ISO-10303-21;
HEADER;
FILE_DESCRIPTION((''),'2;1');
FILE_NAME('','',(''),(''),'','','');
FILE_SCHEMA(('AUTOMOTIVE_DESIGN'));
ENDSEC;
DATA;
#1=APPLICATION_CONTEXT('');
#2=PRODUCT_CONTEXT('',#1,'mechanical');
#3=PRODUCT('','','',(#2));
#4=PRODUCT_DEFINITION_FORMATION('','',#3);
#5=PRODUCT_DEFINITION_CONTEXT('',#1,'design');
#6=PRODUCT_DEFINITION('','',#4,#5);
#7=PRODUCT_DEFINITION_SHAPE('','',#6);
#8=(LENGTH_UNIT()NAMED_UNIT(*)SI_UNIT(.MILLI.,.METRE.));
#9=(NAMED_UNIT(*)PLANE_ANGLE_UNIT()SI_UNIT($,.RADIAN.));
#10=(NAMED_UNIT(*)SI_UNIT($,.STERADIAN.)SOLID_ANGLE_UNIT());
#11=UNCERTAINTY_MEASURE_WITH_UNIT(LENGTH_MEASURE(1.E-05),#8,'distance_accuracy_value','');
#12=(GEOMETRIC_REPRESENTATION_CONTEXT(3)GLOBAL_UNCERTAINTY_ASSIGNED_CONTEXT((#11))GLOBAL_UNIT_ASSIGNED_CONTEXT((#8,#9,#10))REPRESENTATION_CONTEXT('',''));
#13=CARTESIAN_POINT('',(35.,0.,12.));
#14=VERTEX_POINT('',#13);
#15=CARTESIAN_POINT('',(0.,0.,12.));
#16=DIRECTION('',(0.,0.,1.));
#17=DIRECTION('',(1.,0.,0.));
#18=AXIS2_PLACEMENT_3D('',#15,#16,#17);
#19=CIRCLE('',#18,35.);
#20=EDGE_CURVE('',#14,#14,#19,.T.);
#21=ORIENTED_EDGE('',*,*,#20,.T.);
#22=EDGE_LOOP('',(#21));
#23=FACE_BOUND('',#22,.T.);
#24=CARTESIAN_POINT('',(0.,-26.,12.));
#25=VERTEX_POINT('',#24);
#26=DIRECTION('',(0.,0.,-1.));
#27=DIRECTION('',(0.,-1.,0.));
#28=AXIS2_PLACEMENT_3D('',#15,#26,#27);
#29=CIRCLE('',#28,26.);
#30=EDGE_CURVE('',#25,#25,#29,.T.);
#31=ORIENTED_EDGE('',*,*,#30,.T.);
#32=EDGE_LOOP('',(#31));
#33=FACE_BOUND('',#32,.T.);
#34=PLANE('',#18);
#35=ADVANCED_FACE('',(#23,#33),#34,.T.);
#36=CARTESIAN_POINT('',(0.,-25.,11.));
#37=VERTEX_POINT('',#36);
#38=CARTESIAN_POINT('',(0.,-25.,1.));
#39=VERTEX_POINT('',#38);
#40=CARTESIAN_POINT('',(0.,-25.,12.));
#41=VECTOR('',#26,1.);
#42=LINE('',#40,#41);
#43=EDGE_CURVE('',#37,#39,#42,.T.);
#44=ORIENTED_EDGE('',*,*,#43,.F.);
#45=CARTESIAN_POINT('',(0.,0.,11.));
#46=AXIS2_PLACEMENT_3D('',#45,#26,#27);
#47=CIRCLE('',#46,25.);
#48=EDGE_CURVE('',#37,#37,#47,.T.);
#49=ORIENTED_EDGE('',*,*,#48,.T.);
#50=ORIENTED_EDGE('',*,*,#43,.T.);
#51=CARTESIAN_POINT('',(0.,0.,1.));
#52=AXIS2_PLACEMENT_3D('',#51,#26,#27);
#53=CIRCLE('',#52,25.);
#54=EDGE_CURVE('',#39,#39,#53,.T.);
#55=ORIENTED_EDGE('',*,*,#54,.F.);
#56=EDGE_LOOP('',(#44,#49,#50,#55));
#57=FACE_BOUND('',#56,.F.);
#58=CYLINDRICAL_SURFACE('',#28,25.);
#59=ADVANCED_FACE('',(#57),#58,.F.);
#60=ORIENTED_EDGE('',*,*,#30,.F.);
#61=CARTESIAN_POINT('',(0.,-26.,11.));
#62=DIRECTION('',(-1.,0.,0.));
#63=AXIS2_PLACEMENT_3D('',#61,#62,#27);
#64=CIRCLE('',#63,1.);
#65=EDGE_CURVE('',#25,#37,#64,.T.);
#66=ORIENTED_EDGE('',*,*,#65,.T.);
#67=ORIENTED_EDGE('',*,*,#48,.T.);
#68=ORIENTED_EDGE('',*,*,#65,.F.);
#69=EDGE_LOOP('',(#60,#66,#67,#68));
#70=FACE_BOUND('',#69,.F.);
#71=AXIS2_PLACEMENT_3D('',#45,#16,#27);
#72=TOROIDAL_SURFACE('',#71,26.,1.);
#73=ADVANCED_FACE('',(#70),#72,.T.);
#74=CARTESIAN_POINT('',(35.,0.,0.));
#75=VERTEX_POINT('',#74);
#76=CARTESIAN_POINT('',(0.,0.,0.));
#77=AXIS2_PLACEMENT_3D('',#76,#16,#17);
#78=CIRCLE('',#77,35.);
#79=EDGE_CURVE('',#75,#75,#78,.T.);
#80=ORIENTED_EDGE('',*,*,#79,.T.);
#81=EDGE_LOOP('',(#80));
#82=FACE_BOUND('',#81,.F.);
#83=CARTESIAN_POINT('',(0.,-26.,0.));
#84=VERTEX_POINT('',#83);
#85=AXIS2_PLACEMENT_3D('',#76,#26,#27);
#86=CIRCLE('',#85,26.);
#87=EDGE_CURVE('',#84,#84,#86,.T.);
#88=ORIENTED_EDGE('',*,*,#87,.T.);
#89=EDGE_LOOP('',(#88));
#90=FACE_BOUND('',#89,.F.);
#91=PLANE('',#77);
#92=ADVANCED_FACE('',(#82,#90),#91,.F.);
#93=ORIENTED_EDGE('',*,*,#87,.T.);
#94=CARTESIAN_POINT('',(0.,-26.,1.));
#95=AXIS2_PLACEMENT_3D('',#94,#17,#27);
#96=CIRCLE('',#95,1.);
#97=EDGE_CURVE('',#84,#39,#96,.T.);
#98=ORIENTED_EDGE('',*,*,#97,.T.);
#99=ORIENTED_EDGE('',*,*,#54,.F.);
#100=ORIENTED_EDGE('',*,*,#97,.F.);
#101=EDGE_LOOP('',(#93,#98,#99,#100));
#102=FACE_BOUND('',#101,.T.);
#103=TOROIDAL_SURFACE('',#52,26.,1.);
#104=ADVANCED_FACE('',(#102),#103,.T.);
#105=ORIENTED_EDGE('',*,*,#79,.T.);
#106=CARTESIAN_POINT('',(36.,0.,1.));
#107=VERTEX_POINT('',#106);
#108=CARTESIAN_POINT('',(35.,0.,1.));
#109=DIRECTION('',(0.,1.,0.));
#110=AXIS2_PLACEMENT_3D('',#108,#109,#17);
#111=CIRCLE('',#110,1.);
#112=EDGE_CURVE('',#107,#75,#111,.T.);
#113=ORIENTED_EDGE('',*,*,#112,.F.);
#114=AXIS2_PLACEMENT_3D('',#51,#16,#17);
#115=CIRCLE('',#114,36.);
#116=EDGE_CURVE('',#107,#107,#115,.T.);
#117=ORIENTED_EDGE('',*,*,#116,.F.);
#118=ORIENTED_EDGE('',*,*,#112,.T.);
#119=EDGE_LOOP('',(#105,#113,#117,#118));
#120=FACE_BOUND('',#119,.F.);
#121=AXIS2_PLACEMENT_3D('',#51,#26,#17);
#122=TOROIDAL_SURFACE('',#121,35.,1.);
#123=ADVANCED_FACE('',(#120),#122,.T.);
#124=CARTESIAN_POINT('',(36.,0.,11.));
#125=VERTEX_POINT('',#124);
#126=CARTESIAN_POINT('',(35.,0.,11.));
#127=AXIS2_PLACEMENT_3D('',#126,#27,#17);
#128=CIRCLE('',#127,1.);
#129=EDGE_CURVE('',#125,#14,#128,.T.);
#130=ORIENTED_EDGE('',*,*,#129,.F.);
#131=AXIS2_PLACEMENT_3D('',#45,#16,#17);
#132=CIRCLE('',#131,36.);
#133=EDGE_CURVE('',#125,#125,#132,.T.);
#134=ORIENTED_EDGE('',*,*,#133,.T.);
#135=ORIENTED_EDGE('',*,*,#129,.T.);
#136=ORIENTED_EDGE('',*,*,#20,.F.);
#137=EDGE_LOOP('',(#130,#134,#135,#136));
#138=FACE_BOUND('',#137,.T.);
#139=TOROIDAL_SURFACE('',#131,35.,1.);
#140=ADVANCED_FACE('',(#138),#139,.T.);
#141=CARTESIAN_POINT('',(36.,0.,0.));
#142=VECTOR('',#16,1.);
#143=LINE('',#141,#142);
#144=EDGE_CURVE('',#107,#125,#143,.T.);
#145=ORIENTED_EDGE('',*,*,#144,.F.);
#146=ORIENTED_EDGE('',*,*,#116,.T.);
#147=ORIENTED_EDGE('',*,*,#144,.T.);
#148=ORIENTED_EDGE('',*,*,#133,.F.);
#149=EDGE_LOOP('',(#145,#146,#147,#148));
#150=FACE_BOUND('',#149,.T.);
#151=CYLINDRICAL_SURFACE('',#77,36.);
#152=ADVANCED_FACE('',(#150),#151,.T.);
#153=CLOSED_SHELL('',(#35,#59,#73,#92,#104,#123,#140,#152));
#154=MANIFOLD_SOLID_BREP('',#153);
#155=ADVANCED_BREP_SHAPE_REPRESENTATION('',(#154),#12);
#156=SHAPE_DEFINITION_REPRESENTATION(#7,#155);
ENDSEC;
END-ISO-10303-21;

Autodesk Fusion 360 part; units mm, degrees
cylinder "CylinderPrimitive1" add diameter 72 height 12 placed x (1, 0, 0) y (0, 1, 0) z (0, 0, 1) at (0, 0, 0)
hole "Hole1" at (0, 0, 12) direction (0, 0, -1) diameter 50 depth 12 tip angle 180
fillet "Fillet1" radius 1 4 edges at (-33.5638, -13.0182, 12) (-23.3082, 9.0404, 12) (-33.5638, 13.0182, 0) (-23.3082, -9.0404, 0)
